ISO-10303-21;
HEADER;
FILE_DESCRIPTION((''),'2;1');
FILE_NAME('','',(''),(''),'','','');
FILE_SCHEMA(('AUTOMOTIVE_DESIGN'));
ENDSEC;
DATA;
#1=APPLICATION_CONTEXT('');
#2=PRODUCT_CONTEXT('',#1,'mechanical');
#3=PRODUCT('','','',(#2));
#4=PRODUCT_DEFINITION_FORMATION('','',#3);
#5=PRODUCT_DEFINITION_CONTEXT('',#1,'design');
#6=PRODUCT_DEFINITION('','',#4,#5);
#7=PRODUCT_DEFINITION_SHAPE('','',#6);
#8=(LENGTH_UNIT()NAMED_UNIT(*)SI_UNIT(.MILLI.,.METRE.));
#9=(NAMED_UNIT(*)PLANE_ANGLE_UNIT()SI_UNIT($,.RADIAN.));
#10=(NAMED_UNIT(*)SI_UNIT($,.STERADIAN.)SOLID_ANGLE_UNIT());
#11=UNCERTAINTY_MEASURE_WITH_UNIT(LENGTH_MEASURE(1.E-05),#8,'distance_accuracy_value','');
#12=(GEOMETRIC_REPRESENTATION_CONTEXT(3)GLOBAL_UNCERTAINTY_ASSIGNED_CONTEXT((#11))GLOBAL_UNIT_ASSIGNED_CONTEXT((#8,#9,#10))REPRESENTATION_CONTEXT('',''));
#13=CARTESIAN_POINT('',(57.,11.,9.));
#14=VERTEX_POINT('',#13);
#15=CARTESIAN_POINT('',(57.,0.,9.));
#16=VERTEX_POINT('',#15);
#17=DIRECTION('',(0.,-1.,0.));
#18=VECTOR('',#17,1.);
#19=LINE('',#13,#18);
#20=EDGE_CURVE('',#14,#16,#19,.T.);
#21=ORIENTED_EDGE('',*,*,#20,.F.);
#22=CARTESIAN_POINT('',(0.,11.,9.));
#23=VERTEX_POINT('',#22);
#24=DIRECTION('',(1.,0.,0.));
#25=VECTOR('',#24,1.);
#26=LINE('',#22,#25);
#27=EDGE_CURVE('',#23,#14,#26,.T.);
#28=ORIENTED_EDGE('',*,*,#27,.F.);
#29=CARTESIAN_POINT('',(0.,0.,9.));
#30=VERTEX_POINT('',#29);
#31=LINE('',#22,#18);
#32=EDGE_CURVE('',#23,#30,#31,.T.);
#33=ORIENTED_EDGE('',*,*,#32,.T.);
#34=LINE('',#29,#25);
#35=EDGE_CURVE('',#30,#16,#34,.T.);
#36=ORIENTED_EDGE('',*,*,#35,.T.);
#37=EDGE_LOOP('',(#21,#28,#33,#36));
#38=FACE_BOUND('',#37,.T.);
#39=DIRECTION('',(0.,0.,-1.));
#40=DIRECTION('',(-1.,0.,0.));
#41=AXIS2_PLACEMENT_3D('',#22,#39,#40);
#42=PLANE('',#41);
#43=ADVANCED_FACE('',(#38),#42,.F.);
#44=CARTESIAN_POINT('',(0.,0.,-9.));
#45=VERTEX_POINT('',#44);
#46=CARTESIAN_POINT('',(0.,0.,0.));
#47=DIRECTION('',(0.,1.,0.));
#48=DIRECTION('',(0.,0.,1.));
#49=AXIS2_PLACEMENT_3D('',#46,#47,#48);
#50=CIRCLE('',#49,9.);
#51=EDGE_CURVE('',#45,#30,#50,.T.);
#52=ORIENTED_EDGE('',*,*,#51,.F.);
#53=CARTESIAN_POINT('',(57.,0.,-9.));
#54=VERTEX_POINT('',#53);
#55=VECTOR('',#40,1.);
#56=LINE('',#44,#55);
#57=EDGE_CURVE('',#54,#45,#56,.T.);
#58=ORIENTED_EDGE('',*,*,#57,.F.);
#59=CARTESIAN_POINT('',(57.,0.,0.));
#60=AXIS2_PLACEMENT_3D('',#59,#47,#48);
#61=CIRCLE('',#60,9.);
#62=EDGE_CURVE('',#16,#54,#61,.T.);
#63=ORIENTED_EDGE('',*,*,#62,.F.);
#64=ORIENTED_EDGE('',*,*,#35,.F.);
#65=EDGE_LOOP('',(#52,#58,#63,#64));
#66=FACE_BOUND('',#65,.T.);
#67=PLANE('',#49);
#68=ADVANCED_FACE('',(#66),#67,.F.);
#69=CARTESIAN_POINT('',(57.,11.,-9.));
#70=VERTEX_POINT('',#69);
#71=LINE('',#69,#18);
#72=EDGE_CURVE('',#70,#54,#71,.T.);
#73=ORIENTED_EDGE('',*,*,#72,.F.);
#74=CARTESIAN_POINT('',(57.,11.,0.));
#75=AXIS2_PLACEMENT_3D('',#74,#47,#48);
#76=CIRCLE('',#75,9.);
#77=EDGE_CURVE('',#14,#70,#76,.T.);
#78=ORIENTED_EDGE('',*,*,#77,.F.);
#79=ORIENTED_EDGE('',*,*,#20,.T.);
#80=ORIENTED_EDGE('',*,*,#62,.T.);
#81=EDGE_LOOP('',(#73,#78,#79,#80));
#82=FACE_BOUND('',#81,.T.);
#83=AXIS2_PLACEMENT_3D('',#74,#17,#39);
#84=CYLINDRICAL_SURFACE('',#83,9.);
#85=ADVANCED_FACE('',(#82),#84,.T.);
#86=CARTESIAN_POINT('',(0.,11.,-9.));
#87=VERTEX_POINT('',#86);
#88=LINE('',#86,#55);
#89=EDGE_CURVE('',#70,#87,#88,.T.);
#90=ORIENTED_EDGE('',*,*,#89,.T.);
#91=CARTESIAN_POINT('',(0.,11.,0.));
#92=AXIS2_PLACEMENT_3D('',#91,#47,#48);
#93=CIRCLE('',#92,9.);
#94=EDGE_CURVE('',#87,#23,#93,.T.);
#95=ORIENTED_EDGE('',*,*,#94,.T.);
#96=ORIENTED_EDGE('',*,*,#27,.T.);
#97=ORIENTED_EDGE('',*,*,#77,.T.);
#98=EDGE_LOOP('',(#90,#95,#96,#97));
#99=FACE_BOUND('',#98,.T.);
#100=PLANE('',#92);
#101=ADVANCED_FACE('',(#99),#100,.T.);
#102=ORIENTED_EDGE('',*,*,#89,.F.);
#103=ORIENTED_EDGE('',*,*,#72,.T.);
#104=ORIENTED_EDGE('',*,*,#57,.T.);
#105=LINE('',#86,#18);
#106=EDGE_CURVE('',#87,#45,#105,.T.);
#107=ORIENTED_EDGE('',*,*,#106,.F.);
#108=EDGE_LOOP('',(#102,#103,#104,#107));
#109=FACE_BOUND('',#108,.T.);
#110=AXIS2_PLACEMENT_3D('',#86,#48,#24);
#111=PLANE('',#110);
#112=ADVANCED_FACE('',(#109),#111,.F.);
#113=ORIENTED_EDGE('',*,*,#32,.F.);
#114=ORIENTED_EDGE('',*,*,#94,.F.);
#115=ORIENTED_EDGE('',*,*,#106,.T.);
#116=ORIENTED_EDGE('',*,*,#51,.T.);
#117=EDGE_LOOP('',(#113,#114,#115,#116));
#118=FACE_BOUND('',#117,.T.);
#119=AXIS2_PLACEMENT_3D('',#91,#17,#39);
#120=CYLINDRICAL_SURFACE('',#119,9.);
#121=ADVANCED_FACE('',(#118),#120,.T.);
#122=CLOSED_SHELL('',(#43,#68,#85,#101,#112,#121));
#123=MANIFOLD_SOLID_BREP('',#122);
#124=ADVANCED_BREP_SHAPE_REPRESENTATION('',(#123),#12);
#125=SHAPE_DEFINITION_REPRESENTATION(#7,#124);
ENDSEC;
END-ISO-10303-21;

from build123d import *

# Parameters (mm, degrees)
EXTRUDE_1_DEPTH = 11


with BuildPart() as part:
    # ｽｹｯﾁ1 → ﾎﾞｽ - 押し出し1 (new body)
    with BuildSketch(Plane(origin=(0, 0, 0), x_dir=(1, 0, 0), z_dir=(0, 1, 0))):
        with BuildLine():
            Line((0, 9), (57, 9))
            ThreePointArc((57, 9), (66, 0), (57, -9))
            Line((57, -9), (0, -9))
            ThreePointArc((0, -9), (-9, 0), (0, 9))
        make_face()
    extrude(amount=EXTRUDE_1_DEPTH)


solid = part.part
